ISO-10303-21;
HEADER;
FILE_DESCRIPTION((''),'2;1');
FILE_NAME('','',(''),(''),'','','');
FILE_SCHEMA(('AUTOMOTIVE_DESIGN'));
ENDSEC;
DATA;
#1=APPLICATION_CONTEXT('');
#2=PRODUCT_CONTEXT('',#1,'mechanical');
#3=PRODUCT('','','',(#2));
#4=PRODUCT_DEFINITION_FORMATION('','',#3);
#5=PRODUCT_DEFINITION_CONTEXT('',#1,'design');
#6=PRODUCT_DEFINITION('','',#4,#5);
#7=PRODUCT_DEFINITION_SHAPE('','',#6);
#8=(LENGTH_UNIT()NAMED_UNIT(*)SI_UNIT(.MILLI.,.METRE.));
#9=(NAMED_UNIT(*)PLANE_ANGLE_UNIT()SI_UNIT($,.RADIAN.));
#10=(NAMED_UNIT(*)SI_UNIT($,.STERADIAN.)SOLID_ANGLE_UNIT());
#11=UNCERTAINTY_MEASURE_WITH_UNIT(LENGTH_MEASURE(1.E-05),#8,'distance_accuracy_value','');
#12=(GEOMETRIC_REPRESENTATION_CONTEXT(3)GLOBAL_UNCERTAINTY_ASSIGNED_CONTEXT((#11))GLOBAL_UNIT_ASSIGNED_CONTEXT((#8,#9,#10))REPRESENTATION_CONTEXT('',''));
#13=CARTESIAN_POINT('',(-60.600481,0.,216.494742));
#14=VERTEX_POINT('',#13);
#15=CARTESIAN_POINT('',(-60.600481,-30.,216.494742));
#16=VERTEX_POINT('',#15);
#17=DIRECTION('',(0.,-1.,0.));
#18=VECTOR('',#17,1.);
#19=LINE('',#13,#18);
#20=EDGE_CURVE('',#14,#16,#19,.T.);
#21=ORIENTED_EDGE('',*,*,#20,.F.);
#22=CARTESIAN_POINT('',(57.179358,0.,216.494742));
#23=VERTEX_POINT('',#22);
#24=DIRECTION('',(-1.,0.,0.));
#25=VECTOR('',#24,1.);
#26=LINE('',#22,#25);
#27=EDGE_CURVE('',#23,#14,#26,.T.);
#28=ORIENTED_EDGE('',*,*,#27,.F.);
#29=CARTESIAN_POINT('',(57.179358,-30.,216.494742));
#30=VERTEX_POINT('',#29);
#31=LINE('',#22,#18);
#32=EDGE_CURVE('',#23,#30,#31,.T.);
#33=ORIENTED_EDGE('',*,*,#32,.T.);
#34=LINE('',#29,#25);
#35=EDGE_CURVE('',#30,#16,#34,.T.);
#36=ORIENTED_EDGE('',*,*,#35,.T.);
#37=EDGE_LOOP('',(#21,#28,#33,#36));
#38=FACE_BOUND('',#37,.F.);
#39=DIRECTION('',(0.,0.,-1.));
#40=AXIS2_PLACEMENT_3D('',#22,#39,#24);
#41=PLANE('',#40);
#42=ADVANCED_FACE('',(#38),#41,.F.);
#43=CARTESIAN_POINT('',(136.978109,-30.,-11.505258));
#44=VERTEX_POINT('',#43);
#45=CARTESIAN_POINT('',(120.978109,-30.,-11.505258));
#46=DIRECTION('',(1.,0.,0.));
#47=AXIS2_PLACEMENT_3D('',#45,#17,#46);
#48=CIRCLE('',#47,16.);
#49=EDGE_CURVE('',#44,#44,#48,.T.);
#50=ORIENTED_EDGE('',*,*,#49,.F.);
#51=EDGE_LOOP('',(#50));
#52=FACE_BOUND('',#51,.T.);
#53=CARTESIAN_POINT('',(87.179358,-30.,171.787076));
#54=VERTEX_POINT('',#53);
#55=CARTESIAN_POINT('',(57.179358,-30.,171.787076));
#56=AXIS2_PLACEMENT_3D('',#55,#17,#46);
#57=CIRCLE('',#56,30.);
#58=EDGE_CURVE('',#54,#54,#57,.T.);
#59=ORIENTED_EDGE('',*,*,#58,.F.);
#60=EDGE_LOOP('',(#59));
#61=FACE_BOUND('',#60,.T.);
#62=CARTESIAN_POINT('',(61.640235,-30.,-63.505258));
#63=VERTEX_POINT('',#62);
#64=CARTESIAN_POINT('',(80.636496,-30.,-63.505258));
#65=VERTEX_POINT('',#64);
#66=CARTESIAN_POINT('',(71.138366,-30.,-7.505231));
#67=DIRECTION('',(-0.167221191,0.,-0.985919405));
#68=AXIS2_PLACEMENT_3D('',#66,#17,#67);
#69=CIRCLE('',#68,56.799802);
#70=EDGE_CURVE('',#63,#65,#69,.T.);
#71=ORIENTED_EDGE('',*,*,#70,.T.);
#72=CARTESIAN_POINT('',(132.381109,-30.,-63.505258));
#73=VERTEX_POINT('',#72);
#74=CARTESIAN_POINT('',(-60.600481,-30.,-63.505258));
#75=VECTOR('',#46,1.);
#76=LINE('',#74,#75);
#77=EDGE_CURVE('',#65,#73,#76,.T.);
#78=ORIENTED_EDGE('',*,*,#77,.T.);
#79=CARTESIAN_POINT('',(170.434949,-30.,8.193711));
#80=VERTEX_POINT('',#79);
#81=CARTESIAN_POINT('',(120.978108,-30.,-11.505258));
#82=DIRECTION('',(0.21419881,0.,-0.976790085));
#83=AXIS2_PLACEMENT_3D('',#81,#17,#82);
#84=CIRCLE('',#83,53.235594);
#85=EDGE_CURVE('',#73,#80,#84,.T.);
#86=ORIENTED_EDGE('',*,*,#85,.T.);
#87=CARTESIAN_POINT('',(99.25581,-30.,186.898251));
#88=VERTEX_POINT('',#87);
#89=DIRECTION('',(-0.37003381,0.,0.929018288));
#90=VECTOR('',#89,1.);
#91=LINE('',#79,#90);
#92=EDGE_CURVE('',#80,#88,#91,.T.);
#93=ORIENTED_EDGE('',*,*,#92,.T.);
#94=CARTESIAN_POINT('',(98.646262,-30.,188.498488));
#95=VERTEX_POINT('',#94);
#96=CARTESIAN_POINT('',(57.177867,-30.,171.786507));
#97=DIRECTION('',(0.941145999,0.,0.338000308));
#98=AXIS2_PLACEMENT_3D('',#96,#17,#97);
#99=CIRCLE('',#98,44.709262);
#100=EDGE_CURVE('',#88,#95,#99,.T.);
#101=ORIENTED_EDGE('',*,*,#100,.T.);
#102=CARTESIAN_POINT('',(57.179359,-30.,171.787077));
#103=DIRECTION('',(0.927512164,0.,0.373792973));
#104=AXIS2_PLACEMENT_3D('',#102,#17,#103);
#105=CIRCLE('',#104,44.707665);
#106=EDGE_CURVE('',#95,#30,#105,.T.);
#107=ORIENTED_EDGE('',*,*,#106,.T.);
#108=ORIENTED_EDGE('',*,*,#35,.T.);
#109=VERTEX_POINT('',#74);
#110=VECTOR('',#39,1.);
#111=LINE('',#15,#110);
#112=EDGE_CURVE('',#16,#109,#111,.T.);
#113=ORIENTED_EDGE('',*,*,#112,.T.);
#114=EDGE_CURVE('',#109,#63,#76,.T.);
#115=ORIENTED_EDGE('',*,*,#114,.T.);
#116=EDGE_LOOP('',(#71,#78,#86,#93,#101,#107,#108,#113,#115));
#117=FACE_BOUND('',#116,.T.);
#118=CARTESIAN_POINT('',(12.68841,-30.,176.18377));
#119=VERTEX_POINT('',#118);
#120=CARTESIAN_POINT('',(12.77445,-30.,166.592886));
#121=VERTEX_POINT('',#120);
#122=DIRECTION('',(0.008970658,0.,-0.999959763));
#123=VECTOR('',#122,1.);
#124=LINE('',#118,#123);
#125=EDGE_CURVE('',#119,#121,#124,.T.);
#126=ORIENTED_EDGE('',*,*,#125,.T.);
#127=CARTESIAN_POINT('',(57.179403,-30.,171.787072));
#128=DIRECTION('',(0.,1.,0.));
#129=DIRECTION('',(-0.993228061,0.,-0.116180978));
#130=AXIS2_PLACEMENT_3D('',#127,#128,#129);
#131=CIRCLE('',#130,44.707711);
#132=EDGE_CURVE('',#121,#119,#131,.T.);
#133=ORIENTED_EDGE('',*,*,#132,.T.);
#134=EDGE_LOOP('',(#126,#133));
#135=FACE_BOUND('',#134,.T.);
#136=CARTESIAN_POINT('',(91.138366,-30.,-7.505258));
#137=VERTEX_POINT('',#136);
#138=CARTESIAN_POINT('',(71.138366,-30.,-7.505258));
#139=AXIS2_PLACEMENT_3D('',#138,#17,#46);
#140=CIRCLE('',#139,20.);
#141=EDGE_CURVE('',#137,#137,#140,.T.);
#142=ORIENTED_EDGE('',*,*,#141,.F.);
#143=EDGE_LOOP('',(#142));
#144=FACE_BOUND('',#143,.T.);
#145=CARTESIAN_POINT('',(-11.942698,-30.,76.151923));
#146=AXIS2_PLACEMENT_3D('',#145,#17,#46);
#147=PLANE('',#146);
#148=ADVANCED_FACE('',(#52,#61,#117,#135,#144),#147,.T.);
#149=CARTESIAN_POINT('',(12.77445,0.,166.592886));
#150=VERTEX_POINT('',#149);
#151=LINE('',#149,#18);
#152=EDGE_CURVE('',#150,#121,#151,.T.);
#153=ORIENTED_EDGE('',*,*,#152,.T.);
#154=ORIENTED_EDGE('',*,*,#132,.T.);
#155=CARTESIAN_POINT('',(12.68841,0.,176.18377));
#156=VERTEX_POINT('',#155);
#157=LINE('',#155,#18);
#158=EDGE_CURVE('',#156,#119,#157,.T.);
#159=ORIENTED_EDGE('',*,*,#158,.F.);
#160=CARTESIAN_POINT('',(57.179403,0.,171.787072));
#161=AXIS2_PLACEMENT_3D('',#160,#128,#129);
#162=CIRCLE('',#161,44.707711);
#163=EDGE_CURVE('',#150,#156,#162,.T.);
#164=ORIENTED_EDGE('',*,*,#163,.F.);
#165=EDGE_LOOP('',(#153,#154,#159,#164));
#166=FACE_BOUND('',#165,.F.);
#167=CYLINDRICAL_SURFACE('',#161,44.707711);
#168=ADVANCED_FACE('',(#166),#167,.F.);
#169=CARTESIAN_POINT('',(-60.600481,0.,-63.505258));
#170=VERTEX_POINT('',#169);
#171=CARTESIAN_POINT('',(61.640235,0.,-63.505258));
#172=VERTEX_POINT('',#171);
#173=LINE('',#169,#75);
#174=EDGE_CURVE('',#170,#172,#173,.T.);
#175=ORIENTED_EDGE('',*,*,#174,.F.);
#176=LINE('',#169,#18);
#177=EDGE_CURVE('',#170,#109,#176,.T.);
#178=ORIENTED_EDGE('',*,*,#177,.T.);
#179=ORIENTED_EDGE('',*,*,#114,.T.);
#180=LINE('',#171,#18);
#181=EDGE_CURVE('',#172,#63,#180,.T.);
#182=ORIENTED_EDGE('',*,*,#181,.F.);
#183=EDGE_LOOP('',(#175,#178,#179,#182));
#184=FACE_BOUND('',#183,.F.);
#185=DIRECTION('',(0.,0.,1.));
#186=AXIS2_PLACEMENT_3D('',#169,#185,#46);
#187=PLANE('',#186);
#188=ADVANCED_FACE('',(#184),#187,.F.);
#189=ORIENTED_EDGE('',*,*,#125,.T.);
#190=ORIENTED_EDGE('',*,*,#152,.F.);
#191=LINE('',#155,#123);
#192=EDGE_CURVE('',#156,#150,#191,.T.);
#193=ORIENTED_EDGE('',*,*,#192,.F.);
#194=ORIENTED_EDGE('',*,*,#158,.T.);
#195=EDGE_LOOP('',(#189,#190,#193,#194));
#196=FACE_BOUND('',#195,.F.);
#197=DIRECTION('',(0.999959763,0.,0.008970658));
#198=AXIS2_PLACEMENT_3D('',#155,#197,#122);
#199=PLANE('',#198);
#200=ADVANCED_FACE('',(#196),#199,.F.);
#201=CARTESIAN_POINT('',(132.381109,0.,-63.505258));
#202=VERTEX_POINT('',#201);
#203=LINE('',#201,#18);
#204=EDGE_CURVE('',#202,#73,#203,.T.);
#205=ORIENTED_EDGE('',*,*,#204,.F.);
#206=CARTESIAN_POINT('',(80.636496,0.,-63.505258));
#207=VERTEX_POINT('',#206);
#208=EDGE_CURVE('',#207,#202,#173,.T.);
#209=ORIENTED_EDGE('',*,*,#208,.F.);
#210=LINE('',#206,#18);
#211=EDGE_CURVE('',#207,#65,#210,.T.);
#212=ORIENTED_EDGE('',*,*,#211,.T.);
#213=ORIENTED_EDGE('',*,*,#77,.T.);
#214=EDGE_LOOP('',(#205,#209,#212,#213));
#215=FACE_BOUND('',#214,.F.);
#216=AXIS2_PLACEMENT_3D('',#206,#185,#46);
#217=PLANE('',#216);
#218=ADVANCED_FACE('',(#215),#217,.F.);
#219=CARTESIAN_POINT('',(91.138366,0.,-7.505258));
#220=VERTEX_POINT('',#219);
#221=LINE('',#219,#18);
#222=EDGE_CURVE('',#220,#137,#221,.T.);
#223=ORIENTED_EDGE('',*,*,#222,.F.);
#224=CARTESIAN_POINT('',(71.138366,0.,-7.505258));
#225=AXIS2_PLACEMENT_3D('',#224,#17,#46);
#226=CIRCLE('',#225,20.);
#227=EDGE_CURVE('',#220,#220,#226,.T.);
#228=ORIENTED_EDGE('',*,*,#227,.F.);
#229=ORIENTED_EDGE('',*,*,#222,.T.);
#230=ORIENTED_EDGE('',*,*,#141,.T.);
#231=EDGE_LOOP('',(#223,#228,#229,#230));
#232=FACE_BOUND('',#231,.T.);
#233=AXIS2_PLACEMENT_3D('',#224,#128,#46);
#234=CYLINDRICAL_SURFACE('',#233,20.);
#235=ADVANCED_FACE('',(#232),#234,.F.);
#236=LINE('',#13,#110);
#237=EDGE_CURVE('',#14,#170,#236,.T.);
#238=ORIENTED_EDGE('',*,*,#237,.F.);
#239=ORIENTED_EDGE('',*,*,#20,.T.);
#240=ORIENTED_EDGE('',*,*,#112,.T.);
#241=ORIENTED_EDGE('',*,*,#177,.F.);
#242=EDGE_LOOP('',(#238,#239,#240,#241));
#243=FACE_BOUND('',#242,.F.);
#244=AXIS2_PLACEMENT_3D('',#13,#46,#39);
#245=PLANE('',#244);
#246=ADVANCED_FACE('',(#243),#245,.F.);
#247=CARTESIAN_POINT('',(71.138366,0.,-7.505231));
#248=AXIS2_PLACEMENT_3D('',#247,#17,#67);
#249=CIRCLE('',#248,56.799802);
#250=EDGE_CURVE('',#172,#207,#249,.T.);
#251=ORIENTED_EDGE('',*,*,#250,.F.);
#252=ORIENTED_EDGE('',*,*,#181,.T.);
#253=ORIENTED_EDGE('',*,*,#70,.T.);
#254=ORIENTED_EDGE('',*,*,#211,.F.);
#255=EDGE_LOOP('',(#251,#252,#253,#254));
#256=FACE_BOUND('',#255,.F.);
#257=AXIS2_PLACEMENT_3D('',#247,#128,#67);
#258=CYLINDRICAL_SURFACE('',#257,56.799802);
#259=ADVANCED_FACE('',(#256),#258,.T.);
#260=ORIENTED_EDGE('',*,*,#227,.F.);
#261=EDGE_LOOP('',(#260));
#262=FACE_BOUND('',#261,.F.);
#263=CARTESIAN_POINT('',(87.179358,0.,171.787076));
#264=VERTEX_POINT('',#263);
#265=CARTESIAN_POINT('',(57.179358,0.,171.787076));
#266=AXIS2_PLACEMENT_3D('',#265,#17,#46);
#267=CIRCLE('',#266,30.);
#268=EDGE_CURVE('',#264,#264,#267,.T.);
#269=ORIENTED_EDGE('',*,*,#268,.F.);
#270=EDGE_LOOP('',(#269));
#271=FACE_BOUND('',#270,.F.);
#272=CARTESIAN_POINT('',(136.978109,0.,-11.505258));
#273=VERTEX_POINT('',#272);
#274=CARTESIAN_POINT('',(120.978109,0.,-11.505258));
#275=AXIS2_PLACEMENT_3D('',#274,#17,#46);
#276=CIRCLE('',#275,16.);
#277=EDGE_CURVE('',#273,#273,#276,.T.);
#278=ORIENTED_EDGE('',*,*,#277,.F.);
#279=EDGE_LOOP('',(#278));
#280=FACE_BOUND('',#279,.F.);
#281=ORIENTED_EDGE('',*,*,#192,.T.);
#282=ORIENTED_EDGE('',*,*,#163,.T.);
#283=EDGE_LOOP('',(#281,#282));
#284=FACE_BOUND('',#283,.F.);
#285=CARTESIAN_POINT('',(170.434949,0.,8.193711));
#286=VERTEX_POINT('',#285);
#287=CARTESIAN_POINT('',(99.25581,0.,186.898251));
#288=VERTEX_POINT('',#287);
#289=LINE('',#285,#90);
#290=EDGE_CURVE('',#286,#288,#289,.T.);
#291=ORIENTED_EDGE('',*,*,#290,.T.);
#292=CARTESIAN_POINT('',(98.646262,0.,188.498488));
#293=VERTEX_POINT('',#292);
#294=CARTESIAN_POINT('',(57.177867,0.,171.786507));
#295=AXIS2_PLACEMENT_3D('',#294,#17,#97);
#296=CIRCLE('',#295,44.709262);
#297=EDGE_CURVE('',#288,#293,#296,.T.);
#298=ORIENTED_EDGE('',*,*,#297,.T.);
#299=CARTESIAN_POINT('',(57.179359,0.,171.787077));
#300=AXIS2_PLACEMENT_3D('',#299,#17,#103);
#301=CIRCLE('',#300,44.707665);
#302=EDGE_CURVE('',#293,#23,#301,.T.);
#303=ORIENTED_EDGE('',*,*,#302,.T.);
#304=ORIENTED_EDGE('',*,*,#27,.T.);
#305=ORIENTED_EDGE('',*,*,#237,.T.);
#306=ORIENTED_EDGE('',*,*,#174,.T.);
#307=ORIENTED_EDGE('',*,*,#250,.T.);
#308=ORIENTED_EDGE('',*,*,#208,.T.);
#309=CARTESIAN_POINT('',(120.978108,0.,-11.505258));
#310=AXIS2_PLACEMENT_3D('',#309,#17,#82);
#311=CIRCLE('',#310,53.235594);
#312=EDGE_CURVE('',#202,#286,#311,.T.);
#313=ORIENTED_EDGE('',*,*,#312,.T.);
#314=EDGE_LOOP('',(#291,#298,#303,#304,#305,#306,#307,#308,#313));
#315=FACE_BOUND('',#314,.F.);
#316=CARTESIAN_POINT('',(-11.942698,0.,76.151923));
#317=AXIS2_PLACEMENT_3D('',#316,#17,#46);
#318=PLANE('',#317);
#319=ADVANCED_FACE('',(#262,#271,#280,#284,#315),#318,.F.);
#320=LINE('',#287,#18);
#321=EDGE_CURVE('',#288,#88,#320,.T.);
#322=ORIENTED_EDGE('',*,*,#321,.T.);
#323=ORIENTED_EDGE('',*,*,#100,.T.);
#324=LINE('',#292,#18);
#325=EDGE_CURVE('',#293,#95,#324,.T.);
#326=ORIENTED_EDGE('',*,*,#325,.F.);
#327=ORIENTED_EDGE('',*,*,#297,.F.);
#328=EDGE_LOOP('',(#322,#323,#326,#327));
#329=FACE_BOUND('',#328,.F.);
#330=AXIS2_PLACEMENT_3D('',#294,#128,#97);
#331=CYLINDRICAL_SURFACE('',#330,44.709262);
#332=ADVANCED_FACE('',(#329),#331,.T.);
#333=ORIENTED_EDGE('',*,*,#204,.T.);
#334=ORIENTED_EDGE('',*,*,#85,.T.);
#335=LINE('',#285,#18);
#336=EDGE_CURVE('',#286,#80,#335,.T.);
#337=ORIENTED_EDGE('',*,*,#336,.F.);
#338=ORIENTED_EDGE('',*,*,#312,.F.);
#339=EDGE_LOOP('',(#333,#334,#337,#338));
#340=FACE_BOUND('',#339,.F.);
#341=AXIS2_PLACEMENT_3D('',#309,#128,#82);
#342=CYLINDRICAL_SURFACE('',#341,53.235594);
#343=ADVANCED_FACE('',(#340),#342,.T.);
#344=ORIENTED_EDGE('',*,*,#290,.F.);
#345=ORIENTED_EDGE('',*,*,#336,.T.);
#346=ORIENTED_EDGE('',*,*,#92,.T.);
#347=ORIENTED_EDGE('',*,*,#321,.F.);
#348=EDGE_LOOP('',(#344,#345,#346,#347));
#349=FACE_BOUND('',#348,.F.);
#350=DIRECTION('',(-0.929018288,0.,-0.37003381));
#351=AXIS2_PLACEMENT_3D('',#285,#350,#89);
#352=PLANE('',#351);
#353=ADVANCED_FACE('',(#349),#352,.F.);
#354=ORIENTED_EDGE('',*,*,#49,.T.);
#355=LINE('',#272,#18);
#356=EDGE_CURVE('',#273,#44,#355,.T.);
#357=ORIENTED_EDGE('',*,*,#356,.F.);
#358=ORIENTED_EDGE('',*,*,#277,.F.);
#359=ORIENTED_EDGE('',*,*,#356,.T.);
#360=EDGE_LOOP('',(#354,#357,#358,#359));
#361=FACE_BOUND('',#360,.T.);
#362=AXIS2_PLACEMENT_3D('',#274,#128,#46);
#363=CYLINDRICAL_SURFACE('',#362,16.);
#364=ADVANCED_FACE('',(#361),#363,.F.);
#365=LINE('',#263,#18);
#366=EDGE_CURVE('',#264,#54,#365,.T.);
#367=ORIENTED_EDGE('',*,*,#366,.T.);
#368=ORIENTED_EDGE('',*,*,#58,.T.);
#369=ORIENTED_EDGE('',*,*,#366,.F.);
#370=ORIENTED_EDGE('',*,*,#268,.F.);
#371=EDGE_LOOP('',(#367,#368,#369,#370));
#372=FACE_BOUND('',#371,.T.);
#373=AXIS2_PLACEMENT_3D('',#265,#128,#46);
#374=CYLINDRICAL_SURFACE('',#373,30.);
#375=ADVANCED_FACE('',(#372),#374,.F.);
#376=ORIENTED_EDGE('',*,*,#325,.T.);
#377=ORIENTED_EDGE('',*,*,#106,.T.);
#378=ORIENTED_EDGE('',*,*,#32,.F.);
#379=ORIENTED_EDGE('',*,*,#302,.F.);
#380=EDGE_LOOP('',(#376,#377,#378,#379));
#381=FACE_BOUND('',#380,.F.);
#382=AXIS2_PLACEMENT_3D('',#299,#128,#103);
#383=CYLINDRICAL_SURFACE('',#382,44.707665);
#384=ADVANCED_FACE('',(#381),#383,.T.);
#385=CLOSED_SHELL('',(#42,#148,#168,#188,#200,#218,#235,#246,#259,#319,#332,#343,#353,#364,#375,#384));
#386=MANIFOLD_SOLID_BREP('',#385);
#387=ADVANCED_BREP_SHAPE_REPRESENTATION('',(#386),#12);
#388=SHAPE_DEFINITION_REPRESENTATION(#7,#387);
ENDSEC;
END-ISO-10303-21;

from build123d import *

# Parameters (mm, degrees)
F0_R     = 20
F0_R_2   = 16
F0_R_3   = 30
F1_DEPTH = 30


with BuildPart() as f1:
    # F0 (on Front) → F1 (new body)
    with BuildSketch(Plane.XZ):
        with BuildLine():
            Line((57.179358, 216.494742), (-60.600481, 216.494742))
            Line((-60.600481, 216.494742), (-60.600481, -63.505258))
            Line((-60.600481, -63.505258), (7.520599, -63.505258))
            Line((7.520599, -63.505258), (58.176437, -63.505258))
            Line((58.176437, -63.505258), (61.640235, -63.505258))
            ThreePointArc((61.640235, -63.505258), (27.911346, -44.351415), (14.340876, -8.014795))
            Line((14.340876, -8.014795), (12.77445, 166.592886))
            ThreePointArc((12.77445, 166.592886), (12.473491, 171.386014), (12.68841, 176.18377))
            ThreePointArc((12.68841, 176.18377), (27.160951, 204.918189), (57.179358, 216.494742))
        make_face()
        with BuildLine():
            ThreePointArc((98.646262, 188.498488), (82.195824, 208.840441), (57.179358, 216.494742))
            ThreePointArc((57.179358, 216.494742), (27.160951, 204.918189), (12.68841, 176.18377))
            Line((12.68841, 176.18377), (12.77445, 166.592886))
            Line((12.77445, 166.592886), (14.340876, -8.014795))
            ThreePointArc((14.340876, -8.014795), (27.911346, -44.351415), (61.640235, -63.505258))
            Line((61.640235, -63.505258), (80.636496, -63.505258))
            Line((80.636496, -63.505258), (132.381109, -63.505258))
            ThreePointArc((132.381109, -63.505258), (168.001141, -36.462478), (170.434949, 8.193711))
            Line((170.434949, 8.193711), (99.25581, 186.898251))
            Line((99.25581, 186.898251), (98.646262, 188.498488))
        make_face()
        with Locations((71.138366, -7.505258)):
            Circle(F0_R, mode=Mode.SUBTRACT)
        with Locations((120.978109, -11.505258)):
            Circle(F0_R_2, mode=Mode.SUBTRACT)
        with Locations((57.179358, 171.787076)):
            Circle(F0_R_3, mode=Mode.SUBTRACT)
        with BuildLine():
            ThreePointArc((99.25581, 186.898251), (98.958698, 187.701288), (98.646262, 188.498488))
            Line((98.646262, 188.498488), (99.25581, 186.898251))
        make_face()
        with BuildLine():
            Line((80.636496, -63.505258), (61.640235, -63.505258))
            ThreePointArc((61.640235, -63.505258), (71.138366, -64.305033), (80.636496, -63.505258))
        make_face()
    extrude(amount=F1_DEPTH)


solid = f1.part
